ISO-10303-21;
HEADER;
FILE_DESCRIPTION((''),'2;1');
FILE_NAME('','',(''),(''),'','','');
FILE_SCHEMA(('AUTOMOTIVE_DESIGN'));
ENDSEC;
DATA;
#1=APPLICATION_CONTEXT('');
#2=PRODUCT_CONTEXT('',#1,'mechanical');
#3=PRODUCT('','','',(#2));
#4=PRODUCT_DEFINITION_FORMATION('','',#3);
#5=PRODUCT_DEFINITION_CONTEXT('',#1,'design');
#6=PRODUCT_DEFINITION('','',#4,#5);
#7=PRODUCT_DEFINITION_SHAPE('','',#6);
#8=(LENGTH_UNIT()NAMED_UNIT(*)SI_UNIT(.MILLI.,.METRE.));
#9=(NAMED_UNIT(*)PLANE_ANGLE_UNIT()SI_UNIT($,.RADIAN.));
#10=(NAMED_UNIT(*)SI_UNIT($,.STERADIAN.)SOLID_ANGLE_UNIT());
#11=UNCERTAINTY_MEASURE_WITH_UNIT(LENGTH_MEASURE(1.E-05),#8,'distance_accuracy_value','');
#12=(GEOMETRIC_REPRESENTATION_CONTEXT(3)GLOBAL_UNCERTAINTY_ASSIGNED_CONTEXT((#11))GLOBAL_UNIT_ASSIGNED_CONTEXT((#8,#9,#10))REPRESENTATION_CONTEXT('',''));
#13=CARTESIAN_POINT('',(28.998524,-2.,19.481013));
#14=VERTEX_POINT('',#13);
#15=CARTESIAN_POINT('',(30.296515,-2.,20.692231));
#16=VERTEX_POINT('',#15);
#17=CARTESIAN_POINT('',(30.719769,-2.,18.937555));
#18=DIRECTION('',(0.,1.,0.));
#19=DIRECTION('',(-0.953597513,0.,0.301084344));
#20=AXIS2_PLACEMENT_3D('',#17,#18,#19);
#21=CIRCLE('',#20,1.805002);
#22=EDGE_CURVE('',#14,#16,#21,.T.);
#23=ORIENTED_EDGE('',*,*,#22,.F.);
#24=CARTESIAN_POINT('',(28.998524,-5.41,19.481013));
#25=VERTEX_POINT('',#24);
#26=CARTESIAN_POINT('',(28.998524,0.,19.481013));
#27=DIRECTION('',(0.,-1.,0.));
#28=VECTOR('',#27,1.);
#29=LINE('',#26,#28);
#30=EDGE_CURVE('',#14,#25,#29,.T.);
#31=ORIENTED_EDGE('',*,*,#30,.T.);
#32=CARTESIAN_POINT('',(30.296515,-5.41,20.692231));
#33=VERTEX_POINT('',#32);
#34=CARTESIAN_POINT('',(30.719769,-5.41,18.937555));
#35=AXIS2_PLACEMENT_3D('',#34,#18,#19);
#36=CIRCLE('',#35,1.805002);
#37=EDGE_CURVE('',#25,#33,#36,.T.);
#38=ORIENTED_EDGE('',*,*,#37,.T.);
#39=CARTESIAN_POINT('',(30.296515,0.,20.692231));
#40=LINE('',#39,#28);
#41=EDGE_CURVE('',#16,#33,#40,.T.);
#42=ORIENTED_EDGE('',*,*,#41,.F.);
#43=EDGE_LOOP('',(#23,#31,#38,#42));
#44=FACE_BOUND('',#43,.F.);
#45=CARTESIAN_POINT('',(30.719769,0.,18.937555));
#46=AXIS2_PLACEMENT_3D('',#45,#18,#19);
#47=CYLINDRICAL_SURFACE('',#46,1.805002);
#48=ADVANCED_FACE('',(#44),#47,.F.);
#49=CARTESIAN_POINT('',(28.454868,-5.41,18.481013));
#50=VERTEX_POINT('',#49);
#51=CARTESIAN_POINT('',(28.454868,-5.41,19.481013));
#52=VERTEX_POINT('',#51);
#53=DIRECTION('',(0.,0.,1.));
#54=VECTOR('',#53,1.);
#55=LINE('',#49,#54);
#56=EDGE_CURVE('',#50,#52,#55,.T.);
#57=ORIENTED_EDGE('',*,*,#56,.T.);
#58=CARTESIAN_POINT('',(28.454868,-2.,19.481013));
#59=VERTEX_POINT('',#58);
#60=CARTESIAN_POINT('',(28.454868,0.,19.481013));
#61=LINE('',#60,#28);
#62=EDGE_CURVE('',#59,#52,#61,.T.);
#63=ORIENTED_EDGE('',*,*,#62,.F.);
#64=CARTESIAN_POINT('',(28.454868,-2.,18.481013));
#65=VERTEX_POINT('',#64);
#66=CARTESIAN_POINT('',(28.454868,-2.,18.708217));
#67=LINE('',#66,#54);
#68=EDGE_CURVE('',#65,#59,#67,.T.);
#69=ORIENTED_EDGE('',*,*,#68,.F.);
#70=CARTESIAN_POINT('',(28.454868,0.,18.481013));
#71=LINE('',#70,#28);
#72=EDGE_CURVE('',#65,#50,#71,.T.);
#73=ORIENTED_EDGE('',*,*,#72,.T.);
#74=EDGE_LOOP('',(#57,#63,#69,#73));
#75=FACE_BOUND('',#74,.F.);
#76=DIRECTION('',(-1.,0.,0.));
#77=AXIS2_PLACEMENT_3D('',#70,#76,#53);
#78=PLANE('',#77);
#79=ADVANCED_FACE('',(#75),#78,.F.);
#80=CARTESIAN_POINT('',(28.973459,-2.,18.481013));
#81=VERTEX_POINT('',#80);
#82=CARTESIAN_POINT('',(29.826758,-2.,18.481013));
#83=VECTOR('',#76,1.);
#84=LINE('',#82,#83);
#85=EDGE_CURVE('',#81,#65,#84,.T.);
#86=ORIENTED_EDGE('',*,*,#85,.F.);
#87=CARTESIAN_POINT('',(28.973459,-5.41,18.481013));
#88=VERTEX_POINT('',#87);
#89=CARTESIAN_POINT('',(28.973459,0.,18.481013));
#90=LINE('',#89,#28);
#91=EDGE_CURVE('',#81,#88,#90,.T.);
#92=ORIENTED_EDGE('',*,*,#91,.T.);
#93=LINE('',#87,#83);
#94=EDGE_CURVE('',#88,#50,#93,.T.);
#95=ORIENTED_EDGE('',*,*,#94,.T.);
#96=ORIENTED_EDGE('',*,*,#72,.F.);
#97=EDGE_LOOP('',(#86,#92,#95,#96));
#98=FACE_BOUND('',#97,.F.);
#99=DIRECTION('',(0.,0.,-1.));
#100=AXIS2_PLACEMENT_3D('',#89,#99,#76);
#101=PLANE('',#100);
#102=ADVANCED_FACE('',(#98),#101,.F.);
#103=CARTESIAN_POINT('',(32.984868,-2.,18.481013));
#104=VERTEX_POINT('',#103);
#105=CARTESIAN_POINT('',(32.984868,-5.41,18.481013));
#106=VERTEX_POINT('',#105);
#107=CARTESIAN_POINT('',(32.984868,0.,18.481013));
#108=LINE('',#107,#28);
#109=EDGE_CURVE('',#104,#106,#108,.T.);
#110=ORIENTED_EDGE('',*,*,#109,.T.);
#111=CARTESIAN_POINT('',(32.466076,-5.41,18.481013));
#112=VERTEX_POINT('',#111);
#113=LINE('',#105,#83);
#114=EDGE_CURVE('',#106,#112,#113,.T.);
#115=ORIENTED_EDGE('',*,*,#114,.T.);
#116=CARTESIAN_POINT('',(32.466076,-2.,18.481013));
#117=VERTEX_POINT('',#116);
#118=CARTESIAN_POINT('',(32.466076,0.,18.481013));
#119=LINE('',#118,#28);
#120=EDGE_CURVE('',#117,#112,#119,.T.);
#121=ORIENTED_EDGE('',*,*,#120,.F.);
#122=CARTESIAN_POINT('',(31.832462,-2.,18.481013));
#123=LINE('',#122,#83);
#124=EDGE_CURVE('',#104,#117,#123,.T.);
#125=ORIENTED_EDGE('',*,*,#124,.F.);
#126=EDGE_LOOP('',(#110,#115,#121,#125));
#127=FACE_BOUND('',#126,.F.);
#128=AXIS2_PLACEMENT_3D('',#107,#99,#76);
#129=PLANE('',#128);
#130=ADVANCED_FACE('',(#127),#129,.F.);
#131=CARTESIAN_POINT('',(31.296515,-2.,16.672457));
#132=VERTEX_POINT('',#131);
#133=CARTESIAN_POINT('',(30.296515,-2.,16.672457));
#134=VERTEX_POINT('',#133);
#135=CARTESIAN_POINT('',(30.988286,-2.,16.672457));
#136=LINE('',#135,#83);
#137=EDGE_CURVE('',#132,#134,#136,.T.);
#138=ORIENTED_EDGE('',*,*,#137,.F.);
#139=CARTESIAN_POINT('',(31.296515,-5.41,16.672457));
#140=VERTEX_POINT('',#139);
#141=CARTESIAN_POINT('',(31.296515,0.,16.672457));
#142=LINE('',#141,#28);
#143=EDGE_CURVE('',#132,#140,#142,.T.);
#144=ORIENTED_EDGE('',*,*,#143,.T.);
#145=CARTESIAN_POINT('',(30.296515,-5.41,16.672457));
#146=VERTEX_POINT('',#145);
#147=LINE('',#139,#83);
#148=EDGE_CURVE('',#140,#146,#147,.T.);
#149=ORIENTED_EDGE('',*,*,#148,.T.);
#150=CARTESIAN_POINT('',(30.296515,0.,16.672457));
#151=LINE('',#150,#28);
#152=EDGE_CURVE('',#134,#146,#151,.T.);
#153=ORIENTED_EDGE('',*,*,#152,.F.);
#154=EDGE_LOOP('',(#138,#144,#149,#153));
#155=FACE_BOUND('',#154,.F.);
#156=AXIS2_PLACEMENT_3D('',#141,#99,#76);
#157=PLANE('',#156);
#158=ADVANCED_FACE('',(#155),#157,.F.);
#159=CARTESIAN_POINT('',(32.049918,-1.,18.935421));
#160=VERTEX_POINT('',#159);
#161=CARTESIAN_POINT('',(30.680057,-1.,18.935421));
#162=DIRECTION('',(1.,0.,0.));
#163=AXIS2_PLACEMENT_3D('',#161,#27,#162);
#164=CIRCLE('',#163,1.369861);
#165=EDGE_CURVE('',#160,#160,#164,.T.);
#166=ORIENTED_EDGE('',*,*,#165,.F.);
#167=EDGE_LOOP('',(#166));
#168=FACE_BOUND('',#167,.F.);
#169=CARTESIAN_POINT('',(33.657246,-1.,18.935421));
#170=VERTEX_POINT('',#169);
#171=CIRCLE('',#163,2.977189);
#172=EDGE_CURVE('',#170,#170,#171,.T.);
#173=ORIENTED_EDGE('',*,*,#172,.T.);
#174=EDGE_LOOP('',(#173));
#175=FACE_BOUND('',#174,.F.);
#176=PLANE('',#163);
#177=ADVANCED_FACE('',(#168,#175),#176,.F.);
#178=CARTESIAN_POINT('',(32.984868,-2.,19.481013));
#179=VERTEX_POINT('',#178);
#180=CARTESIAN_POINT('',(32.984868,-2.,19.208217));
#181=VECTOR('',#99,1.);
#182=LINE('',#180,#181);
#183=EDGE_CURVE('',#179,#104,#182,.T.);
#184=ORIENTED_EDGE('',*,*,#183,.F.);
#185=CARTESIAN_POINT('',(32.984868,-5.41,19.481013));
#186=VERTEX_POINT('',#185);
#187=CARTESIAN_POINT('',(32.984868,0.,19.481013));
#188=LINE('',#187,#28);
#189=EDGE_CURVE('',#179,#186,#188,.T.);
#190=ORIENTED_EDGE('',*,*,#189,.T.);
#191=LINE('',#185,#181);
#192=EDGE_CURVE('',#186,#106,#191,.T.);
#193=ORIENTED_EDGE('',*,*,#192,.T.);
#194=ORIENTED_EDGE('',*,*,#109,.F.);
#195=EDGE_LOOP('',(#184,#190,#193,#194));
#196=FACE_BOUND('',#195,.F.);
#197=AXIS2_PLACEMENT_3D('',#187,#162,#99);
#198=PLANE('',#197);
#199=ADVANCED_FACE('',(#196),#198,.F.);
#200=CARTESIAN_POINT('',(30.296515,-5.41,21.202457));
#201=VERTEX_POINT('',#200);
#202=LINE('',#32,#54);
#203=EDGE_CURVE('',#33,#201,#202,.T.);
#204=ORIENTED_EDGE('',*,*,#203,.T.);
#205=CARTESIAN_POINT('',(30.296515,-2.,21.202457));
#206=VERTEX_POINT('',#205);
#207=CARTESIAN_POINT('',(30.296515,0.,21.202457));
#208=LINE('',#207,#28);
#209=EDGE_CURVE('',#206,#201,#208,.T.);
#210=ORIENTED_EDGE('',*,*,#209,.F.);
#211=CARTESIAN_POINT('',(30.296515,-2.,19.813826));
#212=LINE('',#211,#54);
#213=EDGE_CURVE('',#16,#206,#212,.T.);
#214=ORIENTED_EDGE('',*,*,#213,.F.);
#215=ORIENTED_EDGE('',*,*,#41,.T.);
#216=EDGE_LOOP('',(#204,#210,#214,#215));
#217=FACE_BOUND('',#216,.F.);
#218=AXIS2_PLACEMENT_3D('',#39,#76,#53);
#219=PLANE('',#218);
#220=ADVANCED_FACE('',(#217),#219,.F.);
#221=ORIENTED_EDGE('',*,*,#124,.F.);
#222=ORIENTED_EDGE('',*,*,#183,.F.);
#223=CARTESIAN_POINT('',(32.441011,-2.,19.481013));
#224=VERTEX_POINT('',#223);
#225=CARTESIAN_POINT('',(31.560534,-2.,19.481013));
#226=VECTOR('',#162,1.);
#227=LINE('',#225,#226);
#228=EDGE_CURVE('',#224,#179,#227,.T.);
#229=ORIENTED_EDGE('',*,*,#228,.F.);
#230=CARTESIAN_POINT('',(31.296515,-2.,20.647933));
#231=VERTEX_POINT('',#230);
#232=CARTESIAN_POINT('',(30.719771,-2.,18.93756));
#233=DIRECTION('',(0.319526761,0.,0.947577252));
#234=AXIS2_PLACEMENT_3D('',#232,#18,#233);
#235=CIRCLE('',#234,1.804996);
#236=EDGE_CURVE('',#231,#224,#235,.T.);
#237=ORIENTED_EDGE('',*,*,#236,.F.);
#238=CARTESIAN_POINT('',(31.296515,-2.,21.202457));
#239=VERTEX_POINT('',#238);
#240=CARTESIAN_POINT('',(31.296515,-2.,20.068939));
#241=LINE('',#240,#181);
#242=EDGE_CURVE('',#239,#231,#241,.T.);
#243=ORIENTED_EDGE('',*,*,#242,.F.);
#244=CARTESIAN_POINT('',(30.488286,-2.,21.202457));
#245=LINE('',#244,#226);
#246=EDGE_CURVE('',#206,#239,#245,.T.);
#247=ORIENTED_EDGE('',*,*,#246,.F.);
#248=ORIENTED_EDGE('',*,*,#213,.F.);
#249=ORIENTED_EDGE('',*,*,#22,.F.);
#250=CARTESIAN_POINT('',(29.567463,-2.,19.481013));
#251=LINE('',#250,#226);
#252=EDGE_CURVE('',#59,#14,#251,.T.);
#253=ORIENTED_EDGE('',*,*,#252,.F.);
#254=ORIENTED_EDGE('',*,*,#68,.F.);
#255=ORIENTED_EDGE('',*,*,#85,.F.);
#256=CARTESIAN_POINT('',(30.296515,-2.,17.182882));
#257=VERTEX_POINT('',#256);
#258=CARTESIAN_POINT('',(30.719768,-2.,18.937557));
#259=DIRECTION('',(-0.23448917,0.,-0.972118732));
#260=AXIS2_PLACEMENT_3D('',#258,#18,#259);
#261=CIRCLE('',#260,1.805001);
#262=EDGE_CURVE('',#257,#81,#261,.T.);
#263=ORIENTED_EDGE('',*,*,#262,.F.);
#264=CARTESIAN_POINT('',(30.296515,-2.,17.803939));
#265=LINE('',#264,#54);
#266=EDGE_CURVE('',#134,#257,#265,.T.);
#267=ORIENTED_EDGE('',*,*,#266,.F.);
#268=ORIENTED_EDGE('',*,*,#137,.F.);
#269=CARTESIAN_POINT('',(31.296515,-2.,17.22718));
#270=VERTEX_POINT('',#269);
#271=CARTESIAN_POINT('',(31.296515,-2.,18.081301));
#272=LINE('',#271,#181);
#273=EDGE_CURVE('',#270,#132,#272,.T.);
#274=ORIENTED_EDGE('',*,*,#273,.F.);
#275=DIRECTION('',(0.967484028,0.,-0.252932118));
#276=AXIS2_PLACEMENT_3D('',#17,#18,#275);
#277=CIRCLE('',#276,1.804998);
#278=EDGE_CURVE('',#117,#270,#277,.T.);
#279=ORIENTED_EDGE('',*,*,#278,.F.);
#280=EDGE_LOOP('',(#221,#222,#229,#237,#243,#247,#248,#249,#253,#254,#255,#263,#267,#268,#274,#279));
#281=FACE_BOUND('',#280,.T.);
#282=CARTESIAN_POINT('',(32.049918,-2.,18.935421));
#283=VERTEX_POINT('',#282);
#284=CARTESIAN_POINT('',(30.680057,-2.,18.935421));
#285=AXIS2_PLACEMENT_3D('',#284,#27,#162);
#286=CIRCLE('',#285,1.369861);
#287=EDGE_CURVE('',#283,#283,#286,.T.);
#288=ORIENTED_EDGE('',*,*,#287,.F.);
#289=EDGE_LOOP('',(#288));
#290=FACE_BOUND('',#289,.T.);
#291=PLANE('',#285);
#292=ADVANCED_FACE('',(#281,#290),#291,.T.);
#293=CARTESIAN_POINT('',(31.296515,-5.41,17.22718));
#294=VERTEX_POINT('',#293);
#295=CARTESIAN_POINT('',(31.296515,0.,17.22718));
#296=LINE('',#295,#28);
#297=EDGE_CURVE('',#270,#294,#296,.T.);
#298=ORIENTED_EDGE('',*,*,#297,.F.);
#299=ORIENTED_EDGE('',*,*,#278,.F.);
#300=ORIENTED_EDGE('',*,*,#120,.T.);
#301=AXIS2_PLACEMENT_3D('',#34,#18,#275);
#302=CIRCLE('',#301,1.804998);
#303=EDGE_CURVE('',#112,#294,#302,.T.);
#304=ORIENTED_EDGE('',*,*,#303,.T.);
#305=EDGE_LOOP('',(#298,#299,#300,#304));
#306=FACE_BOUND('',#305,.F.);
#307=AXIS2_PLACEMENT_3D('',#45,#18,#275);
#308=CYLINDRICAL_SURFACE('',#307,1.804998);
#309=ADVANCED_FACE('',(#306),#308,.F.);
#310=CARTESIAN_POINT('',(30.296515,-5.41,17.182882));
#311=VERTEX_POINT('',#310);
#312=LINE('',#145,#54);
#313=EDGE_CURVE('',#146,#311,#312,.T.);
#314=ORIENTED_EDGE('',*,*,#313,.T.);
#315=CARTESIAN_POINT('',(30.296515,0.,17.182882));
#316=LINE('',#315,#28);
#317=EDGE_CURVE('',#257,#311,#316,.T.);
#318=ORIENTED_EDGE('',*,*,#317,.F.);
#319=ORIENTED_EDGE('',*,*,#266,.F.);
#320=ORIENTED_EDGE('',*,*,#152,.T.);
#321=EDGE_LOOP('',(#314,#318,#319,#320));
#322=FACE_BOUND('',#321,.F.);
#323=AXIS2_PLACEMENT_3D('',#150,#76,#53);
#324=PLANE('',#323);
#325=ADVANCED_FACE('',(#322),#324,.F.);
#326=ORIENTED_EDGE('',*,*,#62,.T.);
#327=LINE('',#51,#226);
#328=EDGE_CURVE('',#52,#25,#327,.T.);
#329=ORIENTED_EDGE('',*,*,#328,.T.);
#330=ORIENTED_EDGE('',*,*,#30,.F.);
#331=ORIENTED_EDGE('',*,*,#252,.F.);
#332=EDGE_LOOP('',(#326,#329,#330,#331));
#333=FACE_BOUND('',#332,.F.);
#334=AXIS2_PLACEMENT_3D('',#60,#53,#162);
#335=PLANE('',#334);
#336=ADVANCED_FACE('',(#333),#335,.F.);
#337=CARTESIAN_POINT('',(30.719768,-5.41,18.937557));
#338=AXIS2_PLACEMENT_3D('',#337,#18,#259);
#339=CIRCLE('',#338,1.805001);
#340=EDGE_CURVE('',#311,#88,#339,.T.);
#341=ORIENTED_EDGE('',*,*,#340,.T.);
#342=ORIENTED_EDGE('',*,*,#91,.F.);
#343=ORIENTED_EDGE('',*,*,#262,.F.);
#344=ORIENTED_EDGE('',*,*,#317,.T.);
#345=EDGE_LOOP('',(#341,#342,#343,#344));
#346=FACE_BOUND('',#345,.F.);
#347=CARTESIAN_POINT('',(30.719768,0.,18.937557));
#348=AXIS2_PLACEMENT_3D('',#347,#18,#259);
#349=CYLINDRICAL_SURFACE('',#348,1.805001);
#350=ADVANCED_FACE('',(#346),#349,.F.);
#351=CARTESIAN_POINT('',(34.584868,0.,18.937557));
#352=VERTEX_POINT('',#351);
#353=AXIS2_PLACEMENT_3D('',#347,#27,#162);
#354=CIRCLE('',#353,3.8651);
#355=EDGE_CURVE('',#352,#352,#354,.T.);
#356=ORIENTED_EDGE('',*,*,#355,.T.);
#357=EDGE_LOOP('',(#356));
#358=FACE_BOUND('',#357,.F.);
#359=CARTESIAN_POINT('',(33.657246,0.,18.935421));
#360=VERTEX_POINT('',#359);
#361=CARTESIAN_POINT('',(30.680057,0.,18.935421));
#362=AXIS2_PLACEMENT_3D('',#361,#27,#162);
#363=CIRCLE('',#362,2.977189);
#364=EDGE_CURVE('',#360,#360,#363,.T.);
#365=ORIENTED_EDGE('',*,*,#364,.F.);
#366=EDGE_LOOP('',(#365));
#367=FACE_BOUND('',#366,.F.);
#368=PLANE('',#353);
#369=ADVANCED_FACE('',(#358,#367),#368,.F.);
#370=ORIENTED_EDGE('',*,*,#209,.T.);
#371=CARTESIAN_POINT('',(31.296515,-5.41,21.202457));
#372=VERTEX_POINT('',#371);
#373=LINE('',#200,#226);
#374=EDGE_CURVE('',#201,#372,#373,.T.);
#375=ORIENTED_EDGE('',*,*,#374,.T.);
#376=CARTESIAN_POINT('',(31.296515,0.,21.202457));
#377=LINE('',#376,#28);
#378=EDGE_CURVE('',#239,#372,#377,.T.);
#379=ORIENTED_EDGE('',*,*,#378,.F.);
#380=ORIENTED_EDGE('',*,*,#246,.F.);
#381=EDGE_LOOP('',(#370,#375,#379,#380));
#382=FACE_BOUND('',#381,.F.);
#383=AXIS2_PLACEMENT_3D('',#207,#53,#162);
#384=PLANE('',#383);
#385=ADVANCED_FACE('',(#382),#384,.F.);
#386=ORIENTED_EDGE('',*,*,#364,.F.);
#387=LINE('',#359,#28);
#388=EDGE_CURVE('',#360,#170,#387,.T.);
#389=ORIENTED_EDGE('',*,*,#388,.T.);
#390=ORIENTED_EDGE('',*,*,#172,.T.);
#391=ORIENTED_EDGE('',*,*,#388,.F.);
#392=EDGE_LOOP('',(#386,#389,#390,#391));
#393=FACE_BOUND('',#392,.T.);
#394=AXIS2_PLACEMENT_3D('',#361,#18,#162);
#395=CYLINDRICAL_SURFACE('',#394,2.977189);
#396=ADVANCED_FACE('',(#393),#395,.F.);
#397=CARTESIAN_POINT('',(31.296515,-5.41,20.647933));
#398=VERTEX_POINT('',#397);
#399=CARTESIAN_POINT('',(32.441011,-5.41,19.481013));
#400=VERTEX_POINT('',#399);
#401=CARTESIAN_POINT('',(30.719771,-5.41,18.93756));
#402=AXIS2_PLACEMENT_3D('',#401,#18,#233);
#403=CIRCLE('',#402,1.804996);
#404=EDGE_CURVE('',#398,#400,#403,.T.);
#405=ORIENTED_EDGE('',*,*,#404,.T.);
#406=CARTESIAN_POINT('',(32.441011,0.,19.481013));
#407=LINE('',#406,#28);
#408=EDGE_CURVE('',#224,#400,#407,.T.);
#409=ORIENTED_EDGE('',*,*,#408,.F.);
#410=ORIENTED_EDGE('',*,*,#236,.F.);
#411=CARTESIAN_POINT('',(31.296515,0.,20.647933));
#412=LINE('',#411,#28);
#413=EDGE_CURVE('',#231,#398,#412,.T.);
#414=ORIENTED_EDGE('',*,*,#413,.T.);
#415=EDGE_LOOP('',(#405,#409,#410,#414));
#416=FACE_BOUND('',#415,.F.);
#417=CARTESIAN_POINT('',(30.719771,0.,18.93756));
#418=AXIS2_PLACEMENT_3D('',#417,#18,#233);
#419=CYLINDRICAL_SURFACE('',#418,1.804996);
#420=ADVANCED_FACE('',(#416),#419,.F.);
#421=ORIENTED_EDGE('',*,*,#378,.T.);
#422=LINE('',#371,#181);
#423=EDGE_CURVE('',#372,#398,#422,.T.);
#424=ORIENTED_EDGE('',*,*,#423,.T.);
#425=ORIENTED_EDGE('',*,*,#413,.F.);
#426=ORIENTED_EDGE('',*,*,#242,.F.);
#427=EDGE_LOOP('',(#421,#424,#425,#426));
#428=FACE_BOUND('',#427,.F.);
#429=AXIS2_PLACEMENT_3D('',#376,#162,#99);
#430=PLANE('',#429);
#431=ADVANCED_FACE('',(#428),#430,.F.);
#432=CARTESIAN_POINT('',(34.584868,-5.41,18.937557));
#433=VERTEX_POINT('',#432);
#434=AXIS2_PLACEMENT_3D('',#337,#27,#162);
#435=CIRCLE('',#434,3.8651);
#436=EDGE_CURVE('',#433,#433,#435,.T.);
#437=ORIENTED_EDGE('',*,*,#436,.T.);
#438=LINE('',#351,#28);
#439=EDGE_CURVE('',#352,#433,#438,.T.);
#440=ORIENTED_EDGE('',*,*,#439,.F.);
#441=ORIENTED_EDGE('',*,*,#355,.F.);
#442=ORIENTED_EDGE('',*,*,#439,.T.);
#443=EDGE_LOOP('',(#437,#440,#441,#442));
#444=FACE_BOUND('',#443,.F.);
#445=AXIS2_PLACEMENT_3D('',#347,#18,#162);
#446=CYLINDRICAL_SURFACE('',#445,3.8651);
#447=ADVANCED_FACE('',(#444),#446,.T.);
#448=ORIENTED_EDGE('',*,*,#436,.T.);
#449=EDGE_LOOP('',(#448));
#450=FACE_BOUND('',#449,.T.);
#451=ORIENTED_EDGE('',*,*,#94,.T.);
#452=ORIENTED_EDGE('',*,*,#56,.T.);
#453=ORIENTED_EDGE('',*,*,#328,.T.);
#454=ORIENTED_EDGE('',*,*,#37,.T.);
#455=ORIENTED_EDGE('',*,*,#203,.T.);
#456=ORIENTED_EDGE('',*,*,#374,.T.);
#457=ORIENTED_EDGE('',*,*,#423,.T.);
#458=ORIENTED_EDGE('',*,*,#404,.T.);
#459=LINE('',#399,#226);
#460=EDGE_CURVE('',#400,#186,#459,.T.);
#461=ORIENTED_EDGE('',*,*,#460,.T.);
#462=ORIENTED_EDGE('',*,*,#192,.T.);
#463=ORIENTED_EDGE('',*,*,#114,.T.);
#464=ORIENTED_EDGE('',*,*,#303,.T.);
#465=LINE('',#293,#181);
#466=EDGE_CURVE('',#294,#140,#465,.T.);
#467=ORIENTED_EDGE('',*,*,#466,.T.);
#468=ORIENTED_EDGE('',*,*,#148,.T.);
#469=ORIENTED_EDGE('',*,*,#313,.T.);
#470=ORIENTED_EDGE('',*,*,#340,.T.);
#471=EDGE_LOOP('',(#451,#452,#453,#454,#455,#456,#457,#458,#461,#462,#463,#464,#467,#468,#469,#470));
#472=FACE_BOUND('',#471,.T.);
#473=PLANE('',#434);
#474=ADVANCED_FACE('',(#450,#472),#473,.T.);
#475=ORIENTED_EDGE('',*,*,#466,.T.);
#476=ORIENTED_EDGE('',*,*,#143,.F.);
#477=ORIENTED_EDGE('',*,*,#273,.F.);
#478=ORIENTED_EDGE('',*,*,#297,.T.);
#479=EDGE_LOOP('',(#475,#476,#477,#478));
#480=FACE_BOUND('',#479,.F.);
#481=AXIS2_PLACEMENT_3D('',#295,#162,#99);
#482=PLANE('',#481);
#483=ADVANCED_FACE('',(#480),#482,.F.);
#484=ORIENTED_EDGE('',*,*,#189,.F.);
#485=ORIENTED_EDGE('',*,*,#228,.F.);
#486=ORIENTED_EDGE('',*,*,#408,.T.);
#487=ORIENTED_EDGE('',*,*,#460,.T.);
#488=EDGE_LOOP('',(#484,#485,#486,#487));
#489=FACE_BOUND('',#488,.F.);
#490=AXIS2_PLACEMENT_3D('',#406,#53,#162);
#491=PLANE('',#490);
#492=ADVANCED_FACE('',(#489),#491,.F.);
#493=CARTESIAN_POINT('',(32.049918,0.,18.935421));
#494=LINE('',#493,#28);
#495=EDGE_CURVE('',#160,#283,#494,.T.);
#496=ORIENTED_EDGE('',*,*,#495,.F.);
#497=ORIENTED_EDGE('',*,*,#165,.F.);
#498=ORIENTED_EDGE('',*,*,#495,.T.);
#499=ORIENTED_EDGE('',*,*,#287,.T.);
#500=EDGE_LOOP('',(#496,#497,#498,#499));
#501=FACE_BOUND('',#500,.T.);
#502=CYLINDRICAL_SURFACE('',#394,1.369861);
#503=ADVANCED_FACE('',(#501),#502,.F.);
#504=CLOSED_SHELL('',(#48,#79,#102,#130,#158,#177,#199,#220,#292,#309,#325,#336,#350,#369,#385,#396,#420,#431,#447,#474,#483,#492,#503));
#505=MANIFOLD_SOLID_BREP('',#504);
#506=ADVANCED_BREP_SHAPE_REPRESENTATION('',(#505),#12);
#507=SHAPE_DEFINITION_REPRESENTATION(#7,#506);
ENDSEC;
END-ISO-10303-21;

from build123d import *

# Parameters (mm, degrees)
F0_R     = 3.8651
F1_DEPTH = 5.41
F2_R     = 2.977189
F2_R_2   = 1.369861
F3_DEPTH = 2
F4_DEPTH = 1


with BuildPart() as f1:
    # F0 (on Front) → F1 (new body)
    with BuildSketch(Plane.XZ):
        with Locations((30.719768, 18.937557)):
            Circle(F0_R)
        with BuildLine():
            ThreePointArc((28.998524, 19.481013), (29.488314, 20.257233), (30.296515, 20.692231))
            Line((30.296515, 20.692231), (30.296515, 21.202457))
            Line((30.296515, 21.202457), (31.296515, 21.202457))
            Line((31.296515, 21.202457), (31.296515, 20.647933))
            ThreePointArc((31.296515, 20.647933), (32.008417, 20.201443), (32.441011, 19.481013))
            Line((32.441011, 19.481013), (32.984868, 19.481013))
            Line((32.984868, 19.481013), (32.984868, 18.481013))
            Line((32.984868, 18.481013), (32.466076, 18.481013))
            ThreePointArc((32.466076, 18.481013), (32.039681, 17.706356), (31.296515, 17.22718))
            Line((31.296515, 17.22718), (31.296515, 16.672457))
            Line((31.296515, 16.672457), (30.296515, 16.672457))
            Line((30.296515, 16.672457), (30.296515, 17.182882))
            ThreePointArc((30.296515, 17.182882), (29.455634, 17.64915), (28.973459, 18.481013))
            Line((28.973459, 18.481013), (28.454868, 18.481013))
            Line((28.454868, 18.481013), (28.454868, 19.481013))
            Line((28.454868, 19.481013), (28.998524, 19.481013))
        make_face(mode=Mode.SUBTRACT)
    extrude(amount=F1_DEPTH)

    # F2 (on Front) → F3 (join)
    with BuildSketch(Plane.XZ):
        with Locations((30.680057, 18.935421)):
            Circle(F2_R)
        with Locations((30.680057, 18.935421)):
            Circle(F2_R_2, mode=Mode.SUBTRACT)
    extrude(amount=F3_DEPTH)

    # F2 (on Front) → F4 (cut)
    with BuildSketch(Plane.XZ):
        with Locations((30.680057, 18.935421)):
            Circle(F2_R)
        with Locations((30.680057, 18.935421)):
            Circle(F2_R_2, mode=Mode.SUBTRACT)
    extrude(amount=F4_DEPTH, mode=Mode.SUBTRACT)


solid = f1.part
